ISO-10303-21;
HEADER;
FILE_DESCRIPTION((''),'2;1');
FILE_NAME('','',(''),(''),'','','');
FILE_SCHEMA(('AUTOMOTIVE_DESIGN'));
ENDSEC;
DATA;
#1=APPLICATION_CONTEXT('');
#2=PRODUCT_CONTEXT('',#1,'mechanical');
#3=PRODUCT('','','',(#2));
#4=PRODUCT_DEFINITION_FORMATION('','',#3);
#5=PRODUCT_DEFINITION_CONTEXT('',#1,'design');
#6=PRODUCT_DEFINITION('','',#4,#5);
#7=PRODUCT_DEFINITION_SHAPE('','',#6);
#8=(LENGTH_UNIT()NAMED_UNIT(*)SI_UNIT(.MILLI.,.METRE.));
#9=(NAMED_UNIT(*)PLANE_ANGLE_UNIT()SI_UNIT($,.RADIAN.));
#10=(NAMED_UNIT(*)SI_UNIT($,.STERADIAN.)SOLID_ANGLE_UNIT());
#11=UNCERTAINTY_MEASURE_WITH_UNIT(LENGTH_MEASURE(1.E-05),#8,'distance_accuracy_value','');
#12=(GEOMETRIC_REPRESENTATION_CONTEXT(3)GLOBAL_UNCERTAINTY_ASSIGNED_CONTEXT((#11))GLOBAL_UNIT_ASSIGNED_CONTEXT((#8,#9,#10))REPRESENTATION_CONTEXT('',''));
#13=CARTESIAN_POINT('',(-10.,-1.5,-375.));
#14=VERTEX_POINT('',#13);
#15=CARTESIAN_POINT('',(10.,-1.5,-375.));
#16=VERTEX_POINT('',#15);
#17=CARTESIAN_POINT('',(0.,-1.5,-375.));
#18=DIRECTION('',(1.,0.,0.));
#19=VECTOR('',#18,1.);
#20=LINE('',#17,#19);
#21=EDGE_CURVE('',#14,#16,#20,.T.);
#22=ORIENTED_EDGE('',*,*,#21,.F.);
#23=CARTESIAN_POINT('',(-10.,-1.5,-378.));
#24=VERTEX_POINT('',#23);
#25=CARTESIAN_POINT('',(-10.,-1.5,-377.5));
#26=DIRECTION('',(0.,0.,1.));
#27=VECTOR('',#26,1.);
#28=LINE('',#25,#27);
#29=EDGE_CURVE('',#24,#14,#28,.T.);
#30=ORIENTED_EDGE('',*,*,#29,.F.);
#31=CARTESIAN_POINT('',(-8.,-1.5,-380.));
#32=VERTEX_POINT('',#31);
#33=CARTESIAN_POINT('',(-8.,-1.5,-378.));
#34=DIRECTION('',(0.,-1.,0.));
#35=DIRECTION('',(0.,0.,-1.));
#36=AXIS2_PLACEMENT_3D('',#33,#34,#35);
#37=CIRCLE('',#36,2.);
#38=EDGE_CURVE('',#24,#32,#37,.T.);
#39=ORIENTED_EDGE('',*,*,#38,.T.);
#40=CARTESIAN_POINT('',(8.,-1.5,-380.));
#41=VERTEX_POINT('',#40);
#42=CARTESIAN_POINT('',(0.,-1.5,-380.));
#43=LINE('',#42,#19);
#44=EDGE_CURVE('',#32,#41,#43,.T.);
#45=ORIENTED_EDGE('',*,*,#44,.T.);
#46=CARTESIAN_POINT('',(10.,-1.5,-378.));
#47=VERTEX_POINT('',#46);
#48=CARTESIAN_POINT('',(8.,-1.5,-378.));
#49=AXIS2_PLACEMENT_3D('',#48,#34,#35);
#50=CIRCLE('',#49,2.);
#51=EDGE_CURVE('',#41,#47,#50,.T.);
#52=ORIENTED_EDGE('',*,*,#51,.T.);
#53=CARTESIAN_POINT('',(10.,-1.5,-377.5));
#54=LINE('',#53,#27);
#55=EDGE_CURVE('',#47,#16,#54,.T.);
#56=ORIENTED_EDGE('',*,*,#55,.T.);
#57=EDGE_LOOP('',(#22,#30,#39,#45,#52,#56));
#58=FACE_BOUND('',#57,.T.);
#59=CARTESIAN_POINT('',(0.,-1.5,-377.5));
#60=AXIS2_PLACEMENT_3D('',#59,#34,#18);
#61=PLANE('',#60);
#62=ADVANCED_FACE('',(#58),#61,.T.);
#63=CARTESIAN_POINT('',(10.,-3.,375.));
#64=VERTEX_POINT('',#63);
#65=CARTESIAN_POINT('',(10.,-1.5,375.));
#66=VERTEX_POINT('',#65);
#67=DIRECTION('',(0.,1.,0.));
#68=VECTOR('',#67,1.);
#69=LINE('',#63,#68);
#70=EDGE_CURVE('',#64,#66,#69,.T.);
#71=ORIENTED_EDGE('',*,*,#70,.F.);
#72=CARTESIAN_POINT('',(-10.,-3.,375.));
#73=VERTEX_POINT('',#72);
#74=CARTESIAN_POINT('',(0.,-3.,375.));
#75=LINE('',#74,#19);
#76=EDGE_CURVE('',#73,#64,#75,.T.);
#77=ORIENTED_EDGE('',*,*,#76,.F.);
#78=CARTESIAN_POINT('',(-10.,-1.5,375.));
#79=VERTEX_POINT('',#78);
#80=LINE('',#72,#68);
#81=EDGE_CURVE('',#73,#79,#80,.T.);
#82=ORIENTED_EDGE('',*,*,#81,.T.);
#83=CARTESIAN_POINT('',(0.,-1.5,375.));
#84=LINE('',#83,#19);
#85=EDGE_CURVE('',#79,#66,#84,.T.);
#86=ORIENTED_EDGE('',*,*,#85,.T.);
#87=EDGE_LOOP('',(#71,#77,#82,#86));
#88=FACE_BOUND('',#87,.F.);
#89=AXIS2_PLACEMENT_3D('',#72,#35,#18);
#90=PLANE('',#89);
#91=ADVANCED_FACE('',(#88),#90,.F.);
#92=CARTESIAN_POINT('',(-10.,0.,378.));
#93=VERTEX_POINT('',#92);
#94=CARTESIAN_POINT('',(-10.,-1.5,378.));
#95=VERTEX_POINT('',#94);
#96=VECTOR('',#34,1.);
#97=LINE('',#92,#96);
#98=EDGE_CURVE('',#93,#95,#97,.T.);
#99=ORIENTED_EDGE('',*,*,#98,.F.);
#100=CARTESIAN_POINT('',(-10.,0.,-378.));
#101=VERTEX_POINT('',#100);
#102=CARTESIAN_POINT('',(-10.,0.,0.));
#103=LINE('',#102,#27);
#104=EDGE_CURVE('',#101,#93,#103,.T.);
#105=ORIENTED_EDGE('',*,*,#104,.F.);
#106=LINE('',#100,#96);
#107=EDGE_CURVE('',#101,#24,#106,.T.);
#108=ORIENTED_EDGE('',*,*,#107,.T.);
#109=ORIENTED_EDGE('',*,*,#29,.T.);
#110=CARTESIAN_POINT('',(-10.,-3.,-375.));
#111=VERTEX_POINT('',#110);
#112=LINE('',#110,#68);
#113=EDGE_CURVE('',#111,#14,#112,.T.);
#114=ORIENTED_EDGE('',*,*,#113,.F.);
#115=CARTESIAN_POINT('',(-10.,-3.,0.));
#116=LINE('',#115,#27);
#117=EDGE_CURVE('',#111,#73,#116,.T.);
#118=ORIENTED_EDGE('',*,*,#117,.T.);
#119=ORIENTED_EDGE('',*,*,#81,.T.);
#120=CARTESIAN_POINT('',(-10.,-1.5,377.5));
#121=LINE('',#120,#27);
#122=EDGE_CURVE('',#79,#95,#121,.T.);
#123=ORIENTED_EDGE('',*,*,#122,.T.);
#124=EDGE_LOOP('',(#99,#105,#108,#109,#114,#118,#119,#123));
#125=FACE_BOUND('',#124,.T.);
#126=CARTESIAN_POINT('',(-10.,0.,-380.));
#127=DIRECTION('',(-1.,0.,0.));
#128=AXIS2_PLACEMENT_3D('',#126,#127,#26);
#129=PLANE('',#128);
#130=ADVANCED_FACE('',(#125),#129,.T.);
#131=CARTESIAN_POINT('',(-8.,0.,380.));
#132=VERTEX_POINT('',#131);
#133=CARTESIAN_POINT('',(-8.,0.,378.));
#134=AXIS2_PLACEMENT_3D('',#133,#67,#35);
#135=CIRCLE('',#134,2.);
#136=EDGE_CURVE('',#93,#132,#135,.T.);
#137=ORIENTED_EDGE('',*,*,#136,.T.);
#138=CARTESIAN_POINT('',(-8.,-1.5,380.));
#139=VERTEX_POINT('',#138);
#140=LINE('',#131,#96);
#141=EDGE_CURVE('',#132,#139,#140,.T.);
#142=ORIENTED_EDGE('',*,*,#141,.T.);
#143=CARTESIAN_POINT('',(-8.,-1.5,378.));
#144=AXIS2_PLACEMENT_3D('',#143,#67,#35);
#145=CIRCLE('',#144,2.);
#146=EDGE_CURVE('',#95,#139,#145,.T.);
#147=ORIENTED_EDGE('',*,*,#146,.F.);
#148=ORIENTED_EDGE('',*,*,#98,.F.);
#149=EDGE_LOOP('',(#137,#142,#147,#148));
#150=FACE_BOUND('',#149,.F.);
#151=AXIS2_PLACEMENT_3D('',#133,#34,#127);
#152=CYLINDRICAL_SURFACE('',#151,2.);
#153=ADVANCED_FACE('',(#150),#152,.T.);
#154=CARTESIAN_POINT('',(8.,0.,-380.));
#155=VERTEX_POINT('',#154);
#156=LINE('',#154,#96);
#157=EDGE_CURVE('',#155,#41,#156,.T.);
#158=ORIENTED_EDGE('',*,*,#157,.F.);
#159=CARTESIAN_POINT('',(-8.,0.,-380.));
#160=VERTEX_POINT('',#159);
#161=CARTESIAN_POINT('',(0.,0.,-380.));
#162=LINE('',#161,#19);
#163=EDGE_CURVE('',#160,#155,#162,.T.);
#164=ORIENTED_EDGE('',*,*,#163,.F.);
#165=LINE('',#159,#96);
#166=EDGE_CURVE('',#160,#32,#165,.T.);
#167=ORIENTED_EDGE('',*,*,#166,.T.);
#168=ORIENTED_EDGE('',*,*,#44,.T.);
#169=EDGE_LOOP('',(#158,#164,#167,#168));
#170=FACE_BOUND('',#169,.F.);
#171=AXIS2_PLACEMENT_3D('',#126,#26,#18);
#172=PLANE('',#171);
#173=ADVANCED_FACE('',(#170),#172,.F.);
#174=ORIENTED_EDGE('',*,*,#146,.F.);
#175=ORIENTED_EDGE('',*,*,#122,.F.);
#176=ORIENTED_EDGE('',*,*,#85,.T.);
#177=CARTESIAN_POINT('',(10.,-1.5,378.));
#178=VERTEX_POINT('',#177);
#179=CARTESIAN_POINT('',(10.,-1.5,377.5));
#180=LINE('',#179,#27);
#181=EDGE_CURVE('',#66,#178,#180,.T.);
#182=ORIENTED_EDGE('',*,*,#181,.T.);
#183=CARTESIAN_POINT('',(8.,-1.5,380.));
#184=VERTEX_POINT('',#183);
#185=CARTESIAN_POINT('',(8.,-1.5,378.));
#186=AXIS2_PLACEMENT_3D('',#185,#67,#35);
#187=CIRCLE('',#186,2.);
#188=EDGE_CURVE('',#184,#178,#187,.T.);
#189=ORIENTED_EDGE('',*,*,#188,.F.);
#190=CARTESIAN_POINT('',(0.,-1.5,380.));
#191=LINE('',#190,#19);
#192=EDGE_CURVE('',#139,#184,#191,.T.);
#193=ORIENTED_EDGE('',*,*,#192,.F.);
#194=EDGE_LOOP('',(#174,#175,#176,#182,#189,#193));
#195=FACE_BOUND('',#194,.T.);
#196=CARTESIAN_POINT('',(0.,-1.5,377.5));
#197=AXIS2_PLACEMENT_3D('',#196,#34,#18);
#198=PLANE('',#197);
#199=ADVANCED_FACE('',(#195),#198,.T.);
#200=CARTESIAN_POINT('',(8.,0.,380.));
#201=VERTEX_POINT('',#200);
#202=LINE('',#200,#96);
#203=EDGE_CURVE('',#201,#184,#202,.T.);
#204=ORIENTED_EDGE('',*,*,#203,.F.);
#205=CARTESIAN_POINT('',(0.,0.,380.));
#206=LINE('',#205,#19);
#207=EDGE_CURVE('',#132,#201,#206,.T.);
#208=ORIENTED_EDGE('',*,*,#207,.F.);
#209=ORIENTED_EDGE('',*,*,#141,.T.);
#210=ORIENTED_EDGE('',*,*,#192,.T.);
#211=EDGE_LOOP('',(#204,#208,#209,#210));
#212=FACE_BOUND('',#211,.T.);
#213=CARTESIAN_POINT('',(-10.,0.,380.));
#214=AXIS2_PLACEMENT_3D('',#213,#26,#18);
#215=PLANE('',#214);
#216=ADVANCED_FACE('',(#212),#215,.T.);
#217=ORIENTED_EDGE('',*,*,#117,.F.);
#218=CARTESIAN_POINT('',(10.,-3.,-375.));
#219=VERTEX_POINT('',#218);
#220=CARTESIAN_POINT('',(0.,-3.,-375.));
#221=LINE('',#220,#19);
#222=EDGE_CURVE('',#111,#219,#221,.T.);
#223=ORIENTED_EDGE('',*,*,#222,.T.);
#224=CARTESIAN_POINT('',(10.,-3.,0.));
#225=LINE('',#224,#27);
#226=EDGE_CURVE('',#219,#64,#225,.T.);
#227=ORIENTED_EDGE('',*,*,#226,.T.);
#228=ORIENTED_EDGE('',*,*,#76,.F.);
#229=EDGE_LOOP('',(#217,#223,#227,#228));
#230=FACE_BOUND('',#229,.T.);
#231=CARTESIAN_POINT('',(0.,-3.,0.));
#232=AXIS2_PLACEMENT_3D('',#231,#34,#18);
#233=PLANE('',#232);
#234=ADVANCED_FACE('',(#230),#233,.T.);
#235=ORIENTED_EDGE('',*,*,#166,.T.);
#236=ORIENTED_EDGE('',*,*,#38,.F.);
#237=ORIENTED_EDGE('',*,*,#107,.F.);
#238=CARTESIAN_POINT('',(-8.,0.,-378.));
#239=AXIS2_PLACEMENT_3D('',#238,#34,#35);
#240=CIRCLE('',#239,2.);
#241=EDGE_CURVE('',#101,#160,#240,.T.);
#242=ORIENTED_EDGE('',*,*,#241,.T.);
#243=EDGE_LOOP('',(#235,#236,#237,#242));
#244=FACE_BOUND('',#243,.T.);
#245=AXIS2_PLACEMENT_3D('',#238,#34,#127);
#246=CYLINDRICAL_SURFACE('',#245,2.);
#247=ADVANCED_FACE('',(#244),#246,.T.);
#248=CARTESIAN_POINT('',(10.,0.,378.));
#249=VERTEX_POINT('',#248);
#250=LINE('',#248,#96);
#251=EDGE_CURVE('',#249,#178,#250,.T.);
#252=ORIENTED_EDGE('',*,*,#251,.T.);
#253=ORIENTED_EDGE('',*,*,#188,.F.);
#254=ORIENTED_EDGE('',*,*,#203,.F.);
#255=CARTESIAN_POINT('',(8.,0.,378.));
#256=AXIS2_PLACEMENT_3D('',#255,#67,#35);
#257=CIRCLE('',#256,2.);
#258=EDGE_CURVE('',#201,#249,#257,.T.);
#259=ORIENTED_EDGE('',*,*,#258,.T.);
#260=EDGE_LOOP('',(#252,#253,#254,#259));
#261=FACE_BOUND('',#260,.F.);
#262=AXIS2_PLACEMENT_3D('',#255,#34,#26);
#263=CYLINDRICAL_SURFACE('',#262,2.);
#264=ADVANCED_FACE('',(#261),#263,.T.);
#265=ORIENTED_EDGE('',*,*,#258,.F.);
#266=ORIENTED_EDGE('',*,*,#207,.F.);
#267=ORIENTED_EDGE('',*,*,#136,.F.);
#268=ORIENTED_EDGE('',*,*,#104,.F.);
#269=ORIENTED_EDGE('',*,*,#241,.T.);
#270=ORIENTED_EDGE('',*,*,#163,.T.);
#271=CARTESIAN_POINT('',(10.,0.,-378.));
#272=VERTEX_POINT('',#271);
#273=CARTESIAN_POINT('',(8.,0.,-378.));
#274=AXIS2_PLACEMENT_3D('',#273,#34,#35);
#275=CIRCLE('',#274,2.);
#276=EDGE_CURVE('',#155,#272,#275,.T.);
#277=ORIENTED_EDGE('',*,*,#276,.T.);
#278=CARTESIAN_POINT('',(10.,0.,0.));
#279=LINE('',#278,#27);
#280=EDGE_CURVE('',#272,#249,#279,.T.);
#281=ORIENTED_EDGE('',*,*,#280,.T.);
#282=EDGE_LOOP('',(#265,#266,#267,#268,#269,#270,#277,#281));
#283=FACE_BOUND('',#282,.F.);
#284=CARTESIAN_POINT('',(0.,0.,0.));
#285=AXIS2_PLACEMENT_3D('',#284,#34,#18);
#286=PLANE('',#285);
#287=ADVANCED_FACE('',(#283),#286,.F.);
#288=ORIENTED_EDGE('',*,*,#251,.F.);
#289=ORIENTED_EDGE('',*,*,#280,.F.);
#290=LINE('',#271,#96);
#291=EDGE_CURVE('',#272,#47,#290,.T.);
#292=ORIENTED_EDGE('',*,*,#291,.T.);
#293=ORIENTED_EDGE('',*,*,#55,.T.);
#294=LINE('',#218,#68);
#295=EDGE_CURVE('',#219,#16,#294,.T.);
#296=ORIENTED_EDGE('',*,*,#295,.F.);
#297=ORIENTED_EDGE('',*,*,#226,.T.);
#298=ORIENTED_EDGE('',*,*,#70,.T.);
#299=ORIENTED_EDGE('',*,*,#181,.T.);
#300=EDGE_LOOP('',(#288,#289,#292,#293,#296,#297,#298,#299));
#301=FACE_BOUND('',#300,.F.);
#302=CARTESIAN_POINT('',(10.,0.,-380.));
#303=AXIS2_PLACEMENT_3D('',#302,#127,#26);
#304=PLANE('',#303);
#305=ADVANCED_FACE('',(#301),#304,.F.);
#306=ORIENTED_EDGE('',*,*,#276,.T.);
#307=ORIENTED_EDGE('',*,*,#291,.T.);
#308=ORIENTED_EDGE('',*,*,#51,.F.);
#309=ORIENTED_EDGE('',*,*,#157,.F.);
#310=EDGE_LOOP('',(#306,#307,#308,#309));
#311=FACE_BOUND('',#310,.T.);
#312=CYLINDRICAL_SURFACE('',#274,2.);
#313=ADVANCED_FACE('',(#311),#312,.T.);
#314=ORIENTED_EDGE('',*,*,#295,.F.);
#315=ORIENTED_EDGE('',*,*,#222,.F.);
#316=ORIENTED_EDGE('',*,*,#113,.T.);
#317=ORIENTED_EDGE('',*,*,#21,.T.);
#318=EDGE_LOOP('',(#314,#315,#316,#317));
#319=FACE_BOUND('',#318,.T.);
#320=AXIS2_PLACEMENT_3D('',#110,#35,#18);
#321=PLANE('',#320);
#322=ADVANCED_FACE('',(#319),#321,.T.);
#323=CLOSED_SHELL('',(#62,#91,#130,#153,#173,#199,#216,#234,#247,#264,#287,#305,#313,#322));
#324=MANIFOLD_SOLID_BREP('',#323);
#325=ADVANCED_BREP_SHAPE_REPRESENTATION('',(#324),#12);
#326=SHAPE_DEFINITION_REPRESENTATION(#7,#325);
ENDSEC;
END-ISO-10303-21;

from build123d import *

# Parameters (mm, degrees)
F0_W     = 20
F0_H     = 760
F1_DEPTH = 3
F2_W     = 20
F2_H     = 5
F3_DEPTH = 1.5
F4_R     = 2


with BuildPart() as f1:
    # F0 (on Front) → F1 (new body)
    with BuildSketch(Plane.XZ):
        Rectangle(F0_W, F0_H)
    extrude(amount=F1_DEPTH)

    # F2 (on face) → F3 (cut)
    with BuildSketch(Plane.XZ.offset(3)):
        with Locations((0, 377.5)):
            Rectangle(F2_W, F2_H)
        with Locations((0, -377.5)):
            Rectangle(F2_W, F2_H)
    extrude(amount=-F3_DEPTH, mode=Mode.SUBTRACT)

    # F4
    f4_edges = [f1.edges().sort_by_distance(p)[0] for p in [
        (10, -0.75, -380),
        (-10, -0.75, -380),
        (-10, -0.75, 380),
        (10, -0.75, 380),
    ]]
    fillet(f4_edges, radius=F4_R)


solid = f1.part
